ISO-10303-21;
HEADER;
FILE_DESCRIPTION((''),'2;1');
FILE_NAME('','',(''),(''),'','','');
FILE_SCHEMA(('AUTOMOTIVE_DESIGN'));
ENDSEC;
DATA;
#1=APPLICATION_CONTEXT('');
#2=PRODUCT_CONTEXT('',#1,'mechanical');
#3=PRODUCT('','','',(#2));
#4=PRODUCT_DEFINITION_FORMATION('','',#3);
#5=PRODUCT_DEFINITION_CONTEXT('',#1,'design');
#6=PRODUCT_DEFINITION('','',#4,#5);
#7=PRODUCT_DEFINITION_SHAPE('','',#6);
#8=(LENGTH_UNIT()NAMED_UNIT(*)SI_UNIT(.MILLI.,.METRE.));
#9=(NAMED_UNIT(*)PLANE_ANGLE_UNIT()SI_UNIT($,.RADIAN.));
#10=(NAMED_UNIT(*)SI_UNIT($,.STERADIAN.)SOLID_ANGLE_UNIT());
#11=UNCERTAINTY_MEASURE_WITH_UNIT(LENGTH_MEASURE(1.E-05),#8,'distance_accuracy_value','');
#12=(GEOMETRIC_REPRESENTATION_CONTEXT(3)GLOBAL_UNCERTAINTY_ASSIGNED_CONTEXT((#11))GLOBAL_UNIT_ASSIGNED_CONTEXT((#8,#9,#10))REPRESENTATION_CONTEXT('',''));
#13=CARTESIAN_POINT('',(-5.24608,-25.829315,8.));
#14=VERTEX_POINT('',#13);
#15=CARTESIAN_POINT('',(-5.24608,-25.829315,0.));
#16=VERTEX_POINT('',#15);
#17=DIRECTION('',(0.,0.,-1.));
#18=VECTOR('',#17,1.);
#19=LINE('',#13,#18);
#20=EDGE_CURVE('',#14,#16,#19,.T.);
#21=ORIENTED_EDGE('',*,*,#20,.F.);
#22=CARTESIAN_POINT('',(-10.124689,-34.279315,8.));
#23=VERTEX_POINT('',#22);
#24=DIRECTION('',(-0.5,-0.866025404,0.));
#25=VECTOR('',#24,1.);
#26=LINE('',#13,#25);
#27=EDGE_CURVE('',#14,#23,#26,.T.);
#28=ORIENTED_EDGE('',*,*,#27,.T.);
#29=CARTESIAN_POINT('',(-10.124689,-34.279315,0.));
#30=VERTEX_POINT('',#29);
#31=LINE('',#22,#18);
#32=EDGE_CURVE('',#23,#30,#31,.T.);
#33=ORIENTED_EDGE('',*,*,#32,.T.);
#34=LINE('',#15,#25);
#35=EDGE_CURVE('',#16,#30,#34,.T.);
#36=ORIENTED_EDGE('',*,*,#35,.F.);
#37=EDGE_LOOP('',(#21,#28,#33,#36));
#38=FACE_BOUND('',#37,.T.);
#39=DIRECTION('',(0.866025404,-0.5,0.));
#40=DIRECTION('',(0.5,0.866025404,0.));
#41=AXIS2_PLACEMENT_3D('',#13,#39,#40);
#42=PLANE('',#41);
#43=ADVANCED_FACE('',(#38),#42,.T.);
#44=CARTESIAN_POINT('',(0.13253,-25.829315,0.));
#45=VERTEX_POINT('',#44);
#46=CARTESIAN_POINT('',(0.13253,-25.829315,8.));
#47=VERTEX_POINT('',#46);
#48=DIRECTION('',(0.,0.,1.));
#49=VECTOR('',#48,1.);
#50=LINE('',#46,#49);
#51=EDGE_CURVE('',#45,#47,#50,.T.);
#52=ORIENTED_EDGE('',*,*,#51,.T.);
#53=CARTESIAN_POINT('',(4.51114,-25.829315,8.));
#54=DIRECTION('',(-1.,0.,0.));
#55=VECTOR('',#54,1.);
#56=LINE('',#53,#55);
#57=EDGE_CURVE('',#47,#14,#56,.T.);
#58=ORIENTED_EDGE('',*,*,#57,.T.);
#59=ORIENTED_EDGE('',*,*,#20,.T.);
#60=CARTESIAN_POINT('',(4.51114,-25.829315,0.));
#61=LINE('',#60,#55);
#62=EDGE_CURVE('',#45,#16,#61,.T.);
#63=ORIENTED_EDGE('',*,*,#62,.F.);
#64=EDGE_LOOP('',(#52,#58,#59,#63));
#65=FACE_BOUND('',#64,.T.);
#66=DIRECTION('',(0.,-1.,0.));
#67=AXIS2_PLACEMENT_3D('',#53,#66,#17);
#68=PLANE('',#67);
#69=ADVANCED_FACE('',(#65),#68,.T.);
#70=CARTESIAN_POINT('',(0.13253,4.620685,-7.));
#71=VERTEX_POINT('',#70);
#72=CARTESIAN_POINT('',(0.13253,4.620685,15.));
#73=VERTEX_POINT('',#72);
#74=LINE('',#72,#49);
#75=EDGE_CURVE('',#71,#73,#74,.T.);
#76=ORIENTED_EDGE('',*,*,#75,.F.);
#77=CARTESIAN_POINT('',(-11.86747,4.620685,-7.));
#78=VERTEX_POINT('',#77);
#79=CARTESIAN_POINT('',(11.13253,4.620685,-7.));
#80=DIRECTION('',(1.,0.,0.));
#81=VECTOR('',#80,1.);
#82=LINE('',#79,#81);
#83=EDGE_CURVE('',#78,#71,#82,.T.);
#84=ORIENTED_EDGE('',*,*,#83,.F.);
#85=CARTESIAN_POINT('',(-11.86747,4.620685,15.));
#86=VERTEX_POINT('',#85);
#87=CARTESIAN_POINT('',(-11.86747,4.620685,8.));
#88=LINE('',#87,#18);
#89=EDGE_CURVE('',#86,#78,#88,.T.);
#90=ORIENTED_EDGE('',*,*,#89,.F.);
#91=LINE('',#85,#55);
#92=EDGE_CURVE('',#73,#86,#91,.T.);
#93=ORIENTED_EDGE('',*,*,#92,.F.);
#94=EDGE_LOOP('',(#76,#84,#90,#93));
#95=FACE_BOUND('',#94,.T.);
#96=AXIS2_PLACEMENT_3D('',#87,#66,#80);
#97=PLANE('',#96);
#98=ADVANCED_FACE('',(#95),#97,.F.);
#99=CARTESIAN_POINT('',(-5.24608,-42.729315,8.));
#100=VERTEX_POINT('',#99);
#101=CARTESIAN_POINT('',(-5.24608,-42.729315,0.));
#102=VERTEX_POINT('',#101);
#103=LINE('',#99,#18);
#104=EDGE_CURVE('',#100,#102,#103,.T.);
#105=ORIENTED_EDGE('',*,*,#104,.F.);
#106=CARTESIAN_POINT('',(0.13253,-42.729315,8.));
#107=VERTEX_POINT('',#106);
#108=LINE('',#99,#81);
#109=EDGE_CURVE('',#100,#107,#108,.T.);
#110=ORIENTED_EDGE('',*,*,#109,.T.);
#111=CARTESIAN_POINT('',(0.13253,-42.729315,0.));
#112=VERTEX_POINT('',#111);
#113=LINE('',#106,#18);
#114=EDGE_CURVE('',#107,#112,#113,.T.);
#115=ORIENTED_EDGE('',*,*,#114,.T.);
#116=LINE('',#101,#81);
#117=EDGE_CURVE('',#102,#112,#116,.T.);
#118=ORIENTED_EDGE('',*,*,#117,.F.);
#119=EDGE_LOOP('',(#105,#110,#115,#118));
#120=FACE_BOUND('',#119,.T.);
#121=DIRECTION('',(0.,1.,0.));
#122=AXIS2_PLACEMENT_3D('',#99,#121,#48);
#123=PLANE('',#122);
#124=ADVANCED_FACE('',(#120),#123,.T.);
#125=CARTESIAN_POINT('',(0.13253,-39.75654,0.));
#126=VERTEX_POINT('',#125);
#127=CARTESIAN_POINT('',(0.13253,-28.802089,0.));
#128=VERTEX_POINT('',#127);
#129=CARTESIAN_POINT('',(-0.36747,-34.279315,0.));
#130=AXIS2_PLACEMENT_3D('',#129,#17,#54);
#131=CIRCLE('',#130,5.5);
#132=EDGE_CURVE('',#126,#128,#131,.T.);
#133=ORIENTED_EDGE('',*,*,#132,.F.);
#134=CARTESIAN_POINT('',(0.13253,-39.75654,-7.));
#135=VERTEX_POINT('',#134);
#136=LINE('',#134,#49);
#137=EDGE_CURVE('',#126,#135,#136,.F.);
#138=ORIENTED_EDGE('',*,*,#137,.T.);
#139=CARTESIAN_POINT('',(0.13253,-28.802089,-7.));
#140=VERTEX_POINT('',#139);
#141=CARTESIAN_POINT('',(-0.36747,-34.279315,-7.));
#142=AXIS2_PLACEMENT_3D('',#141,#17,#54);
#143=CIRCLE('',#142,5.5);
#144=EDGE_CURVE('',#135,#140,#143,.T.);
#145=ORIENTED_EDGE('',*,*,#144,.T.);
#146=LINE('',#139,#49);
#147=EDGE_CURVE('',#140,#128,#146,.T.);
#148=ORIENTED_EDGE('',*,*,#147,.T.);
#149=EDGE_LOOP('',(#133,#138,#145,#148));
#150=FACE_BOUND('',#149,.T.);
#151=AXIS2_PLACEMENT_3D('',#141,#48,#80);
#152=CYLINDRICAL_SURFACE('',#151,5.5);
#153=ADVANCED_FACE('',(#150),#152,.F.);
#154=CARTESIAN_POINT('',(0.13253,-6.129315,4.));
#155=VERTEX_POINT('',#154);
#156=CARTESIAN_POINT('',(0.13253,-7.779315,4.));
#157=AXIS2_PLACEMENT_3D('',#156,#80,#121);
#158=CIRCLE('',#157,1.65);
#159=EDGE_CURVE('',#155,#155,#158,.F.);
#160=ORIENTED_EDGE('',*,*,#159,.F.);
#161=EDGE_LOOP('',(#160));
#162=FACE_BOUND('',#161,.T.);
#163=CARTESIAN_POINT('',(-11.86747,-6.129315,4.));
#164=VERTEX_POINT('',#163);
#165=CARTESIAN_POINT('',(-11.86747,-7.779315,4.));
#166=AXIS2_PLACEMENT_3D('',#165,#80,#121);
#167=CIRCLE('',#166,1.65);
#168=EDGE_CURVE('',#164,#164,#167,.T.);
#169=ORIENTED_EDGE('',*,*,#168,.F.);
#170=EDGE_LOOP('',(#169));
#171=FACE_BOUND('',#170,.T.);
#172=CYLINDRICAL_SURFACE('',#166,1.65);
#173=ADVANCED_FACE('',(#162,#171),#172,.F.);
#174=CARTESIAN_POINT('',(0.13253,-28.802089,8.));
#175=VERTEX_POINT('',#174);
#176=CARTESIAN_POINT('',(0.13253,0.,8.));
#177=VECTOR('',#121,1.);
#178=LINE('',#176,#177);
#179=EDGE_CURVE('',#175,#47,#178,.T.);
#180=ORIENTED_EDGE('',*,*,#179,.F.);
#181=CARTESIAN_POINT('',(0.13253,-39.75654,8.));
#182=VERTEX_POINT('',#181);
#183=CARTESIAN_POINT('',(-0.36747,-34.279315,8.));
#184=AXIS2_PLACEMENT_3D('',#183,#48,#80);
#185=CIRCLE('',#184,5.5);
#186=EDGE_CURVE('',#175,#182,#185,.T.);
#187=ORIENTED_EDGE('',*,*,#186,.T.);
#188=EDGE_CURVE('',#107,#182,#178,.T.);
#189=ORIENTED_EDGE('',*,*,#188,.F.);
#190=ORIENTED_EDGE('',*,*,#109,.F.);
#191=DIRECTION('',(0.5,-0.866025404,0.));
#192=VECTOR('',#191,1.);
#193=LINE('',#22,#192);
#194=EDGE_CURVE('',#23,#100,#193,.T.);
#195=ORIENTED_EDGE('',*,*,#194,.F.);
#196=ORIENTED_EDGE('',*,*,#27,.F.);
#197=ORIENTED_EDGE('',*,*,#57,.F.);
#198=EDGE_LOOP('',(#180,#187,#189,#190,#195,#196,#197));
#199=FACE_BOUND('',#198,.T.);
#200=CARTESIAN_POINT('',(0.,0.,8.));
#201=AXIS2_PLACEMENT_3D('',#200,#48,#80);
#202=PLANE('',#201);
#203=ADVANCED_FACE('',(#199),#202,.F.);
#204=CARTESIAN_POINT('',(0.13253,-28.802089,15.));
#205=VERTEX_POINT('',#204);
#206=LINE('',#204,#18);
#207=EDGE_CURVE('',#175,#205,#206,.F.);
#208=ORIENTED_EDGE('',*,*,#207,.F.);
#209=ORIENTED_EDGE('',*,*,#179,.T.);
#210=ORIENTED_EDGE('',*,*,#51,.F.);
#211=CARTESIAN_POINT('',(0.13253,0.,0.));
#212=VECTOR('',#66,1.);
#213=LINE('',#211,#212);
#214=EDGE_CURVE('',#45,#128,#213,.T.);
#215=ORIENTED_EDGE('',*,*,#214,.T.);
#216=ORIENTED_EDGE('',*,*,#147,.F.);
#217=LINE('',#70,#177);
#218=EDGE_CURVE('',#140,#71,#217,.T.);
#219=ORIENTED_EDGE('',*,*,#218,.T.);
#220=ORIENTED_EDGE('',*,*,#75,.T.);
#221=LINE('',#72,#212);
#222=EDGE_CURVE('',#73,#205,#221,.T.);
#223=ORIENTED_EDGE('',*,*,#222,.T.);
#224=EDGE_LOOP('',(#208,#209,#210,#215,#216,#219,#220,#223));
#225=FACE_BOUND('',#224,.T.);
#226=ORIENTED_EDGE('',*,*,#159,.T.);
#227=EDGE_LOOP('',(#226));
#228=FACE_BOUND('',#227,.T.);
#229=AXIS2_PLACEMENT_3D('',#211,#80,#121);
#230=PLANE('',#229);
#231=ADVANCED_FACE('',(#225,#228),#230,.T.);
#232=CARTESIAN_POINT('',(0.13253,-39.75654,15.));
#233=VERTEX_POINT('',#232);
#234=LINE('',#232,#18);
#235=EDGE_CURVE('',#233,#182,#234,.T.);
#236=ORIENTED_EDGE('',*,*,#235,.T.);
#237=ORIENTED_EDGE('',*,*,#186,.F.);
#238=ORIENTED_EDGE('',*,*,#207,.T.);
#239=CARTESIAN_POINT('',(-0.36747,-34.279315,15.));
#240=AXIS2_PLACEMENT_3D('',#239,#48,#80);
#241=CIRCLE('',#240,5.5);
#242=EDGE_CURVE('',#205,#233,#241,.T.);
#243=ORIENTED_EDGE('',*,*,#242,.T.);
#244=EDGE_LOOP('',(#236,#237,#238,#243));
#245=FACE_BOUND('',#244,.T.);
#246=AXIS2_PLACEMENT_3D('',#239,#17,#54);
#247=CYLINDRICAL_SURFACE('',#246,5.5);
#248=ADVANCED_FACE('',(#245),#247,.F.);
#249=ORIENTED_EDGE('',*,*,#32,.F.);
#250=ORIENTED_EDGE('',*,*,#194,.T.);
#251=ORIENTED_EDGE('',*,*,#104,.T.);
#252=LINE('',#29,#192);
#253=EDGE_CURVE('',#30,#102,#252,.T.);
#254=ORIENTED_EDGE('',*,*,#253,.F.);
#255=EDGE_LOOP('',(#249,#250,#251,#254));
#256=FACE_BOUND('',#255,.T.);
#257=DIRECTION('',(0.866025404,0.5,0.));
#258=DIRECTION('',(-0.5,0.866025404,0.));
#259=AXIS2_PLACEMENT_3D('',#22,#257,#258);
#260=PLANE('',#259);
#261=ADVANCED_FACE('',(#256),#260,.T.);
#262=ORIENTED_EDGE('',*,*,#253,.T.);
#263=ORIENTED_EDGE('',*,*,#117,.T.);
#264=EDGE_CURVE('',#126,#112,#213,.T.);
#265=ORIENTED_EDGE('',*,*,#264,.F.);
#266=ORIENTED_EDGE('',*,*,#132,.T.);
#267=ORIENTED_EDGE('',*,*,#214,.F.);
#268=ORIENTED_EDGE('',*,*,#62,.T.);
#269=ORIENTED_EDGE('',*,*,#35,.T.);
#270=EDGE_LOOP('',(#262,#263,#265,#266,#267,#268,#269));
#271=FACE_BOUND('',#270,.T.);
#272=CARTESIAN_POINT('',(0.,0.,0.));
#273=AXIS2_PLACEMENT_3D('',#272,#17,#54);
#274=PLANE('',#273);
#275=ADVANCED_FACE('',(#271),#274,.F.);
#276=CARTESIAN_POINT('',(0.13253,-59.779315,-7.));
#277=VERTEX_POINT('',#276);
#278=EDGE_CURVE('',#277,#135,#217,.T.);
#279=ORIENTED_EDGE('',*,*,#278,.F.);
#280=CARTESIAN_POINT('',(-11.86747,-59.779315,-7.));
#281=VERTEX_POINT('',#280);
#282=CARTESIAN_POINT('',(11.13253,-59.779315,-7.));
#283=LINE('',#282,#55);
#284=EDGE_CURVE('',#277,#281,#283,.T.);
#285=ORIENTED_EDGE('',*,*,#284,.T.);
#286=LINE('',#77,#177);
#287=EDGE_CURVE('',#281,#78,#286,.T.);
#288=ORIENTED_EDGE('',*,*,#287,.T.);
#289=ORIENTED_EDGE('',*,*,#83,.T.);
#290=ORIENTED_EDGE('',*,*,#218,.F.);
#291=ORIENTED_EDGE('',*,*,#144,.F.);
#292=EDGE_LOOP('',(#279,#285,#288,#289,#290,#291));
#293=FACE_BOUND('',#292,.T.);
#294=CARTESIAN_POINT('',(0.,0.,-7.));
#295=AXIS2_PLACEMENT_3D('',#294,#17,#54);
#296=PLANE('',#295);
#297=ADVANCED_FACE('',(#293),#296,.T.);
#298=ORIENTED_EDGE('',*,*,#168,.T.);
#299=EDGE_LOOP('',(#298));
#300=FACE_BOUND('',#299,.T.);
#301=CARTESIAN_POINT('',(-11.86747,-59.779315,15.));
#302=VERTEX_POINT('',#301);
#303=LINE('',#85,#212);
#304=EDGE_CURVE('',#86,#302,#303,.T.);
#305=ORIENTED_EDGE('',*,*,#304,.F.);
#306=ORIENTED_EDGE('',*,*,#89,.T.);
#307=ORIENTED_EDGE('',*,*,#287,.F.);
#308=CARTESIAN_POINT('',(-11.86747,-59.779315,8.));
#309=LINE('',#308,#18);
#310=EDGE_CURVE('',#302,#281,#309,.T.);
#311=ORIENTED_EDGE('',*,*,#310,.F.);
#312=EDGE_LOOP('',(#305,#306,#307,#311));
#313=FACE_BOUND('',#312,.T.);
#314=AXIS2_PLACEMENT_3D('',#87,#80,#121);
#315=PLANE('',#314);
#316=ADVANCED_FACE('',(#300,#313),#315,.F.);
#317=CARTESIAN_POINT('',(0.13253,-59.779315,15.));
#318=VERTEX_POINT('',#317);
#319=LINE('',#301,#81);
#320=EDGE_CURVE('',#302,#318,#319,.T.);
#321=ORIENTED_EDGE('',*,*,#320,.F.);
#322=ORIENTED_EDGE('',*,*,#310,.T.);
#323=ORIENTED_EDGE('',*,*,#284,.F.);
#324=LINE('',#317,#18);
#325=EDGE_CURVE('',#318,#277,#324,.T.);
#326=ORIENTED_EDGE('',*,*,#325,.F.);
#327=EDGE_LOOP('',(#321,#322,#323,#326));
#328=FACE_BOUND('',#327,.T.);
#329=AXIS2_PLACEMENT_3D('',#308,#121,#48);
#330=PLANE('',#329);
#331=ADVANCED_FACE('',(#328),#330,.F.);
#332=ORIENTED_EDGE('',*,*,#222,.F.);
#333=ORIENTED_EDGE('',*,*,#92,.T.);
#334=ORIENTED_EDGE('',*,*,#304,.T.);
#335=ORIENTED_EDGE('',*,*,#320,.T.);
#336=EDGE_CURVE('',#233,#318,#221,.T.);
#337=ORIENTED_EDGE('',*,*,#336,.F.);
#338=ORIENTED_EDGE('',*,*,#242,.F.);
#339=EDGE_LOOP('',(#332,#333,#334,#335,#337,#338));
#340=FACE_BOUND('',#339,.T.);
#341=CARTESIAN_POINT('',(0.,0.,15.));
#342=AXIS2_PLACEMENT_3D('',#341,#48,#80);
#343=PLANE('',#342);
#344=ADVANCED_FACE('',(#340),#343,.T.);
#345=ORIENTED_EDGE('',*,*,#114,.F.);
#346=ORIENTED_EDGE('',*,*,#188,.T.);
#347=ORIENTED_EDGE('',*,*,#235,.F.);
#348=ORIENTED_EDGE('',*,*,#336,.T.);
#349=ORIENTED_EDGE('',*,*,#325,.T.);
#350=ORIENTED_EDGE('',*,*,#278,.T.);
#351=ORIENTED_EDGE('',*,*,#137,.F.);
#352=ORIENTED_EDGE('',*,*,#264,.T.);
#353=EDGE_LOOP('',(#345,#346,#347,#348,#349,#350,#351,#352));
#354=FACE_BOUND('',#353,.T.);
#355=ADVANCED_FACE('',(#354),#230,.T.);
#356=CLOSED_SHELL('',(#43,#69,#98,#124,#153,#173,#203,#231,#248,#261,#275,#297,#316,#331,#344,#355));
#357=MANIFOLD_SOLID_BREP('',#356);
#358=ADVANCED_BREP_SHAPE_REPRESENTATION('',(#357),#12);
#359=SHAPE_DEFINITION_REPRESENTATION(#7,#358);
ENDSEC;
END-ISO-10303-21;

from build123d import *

# Parameters (mm, degrees)
SKETCH_1_W          = 23
SKETCH_1_H          = 64.4
EXTRUDE_1_DEPTH     = 8
SKETCH_3_W          = 23
SKETCH_3_H          = 64.4
SKETCH_3_R          = 5.5
EXTRUDE_2_DEPTH     = 7
SKETCH_4_W          = 23
SKETCH_4_H          = 64.4
SKETCH_4_R          = 5.5
EXTRUDE_3_DEPTH     = 7
SKETCH_5_R          = 1.65
CUT_EXTRUDE_1_DEPTH = 24
SKETCH_6_W          = 22
SKETCH_6_H          = 64.4
CUT_EXTRUDE_2_DEPTH = 11


with BuildPart() as part:
    # 草圖1 → 填料-伸長1 (new body)
    with BuildSketch(Plane.XY):
        with Locations((-0.36746988, -27.579314659)):
            Rectangle(SKETCH_1_W, SKETCH_1_H)
        Polygon((9.38974967, -34.279314659), (4.511139895, -25.829314659), (-5.246079654, -25.829314659), (-10.124689429, -34.279314659), (-5.246079654, -42.729314659), (4.511139895, -42.729314659), align=None, mode=Mode.SUBTRACT)
    extrude(amount=EXTRUDE_1_DEPTH)

    # 草圖3 → 填料-伸長2 (add)
    with BuildSketch(Plane.XY.offset(8)):
        with Locations((-0.36746988, -27.579314659)):
            Rectangle(SKETCH_3_W, SKETCH_3_H)
        with Locations((-0.36746988, -34.279314659)):
            Circle(SKETCH_3_R, mode=Mode.SUBTRACT)
    extrude(amount=EXTRUDE_2_DEPTH)

    # 草圖4 → 填料-伸長3 (add)
    with BuildSketch(Plane(origin=(0, 0, 0), x_dir=(-1, 0, 0), z_dir=(0, 0, -1))):
        with Locations((0.36746988, -27.579314659)):
            Rectangle(SKETCH_4_W, SKETCH_4_H)
        with Locations((0.36746988, -34.279314659)):
            Circle(SKETCH_4_R, mode=Mode.SUBTRACT)
    extrude(amount=EXTRUDE_3_DEPTH)

    # 草圖5 → 除料-伸長1 (cut, through all)
    with BuildSketch(Plane(origin=(11.13253012, 0, 0), x_dir=(0, 0, -1), z_dir=(1, 0, 0))):
        with Locations((-4, -7.779314659)):
            Circle(SKETCH_5_R)
    extrude(amount=-CUT_EXTRUDE_1_DEPTH, mode=Mode.SUBTRACT)

    # 草圖6 → 除料-伸長2 (cut)
    with BuildSketch(Plane(origin=(11.13253012, 0, 0), x_dir=(0, 0, -1), z_dir=(1, 0, 0))):
        with Locations((-4, -27.579314659)):
            Rectangle(SKETCH_6_W, SKETCH_6_H)
    extrude(amount=-CUT_EXTRUDE_2_DEPTH, mode=Mode.SUBTRACT)


solid = part.part
